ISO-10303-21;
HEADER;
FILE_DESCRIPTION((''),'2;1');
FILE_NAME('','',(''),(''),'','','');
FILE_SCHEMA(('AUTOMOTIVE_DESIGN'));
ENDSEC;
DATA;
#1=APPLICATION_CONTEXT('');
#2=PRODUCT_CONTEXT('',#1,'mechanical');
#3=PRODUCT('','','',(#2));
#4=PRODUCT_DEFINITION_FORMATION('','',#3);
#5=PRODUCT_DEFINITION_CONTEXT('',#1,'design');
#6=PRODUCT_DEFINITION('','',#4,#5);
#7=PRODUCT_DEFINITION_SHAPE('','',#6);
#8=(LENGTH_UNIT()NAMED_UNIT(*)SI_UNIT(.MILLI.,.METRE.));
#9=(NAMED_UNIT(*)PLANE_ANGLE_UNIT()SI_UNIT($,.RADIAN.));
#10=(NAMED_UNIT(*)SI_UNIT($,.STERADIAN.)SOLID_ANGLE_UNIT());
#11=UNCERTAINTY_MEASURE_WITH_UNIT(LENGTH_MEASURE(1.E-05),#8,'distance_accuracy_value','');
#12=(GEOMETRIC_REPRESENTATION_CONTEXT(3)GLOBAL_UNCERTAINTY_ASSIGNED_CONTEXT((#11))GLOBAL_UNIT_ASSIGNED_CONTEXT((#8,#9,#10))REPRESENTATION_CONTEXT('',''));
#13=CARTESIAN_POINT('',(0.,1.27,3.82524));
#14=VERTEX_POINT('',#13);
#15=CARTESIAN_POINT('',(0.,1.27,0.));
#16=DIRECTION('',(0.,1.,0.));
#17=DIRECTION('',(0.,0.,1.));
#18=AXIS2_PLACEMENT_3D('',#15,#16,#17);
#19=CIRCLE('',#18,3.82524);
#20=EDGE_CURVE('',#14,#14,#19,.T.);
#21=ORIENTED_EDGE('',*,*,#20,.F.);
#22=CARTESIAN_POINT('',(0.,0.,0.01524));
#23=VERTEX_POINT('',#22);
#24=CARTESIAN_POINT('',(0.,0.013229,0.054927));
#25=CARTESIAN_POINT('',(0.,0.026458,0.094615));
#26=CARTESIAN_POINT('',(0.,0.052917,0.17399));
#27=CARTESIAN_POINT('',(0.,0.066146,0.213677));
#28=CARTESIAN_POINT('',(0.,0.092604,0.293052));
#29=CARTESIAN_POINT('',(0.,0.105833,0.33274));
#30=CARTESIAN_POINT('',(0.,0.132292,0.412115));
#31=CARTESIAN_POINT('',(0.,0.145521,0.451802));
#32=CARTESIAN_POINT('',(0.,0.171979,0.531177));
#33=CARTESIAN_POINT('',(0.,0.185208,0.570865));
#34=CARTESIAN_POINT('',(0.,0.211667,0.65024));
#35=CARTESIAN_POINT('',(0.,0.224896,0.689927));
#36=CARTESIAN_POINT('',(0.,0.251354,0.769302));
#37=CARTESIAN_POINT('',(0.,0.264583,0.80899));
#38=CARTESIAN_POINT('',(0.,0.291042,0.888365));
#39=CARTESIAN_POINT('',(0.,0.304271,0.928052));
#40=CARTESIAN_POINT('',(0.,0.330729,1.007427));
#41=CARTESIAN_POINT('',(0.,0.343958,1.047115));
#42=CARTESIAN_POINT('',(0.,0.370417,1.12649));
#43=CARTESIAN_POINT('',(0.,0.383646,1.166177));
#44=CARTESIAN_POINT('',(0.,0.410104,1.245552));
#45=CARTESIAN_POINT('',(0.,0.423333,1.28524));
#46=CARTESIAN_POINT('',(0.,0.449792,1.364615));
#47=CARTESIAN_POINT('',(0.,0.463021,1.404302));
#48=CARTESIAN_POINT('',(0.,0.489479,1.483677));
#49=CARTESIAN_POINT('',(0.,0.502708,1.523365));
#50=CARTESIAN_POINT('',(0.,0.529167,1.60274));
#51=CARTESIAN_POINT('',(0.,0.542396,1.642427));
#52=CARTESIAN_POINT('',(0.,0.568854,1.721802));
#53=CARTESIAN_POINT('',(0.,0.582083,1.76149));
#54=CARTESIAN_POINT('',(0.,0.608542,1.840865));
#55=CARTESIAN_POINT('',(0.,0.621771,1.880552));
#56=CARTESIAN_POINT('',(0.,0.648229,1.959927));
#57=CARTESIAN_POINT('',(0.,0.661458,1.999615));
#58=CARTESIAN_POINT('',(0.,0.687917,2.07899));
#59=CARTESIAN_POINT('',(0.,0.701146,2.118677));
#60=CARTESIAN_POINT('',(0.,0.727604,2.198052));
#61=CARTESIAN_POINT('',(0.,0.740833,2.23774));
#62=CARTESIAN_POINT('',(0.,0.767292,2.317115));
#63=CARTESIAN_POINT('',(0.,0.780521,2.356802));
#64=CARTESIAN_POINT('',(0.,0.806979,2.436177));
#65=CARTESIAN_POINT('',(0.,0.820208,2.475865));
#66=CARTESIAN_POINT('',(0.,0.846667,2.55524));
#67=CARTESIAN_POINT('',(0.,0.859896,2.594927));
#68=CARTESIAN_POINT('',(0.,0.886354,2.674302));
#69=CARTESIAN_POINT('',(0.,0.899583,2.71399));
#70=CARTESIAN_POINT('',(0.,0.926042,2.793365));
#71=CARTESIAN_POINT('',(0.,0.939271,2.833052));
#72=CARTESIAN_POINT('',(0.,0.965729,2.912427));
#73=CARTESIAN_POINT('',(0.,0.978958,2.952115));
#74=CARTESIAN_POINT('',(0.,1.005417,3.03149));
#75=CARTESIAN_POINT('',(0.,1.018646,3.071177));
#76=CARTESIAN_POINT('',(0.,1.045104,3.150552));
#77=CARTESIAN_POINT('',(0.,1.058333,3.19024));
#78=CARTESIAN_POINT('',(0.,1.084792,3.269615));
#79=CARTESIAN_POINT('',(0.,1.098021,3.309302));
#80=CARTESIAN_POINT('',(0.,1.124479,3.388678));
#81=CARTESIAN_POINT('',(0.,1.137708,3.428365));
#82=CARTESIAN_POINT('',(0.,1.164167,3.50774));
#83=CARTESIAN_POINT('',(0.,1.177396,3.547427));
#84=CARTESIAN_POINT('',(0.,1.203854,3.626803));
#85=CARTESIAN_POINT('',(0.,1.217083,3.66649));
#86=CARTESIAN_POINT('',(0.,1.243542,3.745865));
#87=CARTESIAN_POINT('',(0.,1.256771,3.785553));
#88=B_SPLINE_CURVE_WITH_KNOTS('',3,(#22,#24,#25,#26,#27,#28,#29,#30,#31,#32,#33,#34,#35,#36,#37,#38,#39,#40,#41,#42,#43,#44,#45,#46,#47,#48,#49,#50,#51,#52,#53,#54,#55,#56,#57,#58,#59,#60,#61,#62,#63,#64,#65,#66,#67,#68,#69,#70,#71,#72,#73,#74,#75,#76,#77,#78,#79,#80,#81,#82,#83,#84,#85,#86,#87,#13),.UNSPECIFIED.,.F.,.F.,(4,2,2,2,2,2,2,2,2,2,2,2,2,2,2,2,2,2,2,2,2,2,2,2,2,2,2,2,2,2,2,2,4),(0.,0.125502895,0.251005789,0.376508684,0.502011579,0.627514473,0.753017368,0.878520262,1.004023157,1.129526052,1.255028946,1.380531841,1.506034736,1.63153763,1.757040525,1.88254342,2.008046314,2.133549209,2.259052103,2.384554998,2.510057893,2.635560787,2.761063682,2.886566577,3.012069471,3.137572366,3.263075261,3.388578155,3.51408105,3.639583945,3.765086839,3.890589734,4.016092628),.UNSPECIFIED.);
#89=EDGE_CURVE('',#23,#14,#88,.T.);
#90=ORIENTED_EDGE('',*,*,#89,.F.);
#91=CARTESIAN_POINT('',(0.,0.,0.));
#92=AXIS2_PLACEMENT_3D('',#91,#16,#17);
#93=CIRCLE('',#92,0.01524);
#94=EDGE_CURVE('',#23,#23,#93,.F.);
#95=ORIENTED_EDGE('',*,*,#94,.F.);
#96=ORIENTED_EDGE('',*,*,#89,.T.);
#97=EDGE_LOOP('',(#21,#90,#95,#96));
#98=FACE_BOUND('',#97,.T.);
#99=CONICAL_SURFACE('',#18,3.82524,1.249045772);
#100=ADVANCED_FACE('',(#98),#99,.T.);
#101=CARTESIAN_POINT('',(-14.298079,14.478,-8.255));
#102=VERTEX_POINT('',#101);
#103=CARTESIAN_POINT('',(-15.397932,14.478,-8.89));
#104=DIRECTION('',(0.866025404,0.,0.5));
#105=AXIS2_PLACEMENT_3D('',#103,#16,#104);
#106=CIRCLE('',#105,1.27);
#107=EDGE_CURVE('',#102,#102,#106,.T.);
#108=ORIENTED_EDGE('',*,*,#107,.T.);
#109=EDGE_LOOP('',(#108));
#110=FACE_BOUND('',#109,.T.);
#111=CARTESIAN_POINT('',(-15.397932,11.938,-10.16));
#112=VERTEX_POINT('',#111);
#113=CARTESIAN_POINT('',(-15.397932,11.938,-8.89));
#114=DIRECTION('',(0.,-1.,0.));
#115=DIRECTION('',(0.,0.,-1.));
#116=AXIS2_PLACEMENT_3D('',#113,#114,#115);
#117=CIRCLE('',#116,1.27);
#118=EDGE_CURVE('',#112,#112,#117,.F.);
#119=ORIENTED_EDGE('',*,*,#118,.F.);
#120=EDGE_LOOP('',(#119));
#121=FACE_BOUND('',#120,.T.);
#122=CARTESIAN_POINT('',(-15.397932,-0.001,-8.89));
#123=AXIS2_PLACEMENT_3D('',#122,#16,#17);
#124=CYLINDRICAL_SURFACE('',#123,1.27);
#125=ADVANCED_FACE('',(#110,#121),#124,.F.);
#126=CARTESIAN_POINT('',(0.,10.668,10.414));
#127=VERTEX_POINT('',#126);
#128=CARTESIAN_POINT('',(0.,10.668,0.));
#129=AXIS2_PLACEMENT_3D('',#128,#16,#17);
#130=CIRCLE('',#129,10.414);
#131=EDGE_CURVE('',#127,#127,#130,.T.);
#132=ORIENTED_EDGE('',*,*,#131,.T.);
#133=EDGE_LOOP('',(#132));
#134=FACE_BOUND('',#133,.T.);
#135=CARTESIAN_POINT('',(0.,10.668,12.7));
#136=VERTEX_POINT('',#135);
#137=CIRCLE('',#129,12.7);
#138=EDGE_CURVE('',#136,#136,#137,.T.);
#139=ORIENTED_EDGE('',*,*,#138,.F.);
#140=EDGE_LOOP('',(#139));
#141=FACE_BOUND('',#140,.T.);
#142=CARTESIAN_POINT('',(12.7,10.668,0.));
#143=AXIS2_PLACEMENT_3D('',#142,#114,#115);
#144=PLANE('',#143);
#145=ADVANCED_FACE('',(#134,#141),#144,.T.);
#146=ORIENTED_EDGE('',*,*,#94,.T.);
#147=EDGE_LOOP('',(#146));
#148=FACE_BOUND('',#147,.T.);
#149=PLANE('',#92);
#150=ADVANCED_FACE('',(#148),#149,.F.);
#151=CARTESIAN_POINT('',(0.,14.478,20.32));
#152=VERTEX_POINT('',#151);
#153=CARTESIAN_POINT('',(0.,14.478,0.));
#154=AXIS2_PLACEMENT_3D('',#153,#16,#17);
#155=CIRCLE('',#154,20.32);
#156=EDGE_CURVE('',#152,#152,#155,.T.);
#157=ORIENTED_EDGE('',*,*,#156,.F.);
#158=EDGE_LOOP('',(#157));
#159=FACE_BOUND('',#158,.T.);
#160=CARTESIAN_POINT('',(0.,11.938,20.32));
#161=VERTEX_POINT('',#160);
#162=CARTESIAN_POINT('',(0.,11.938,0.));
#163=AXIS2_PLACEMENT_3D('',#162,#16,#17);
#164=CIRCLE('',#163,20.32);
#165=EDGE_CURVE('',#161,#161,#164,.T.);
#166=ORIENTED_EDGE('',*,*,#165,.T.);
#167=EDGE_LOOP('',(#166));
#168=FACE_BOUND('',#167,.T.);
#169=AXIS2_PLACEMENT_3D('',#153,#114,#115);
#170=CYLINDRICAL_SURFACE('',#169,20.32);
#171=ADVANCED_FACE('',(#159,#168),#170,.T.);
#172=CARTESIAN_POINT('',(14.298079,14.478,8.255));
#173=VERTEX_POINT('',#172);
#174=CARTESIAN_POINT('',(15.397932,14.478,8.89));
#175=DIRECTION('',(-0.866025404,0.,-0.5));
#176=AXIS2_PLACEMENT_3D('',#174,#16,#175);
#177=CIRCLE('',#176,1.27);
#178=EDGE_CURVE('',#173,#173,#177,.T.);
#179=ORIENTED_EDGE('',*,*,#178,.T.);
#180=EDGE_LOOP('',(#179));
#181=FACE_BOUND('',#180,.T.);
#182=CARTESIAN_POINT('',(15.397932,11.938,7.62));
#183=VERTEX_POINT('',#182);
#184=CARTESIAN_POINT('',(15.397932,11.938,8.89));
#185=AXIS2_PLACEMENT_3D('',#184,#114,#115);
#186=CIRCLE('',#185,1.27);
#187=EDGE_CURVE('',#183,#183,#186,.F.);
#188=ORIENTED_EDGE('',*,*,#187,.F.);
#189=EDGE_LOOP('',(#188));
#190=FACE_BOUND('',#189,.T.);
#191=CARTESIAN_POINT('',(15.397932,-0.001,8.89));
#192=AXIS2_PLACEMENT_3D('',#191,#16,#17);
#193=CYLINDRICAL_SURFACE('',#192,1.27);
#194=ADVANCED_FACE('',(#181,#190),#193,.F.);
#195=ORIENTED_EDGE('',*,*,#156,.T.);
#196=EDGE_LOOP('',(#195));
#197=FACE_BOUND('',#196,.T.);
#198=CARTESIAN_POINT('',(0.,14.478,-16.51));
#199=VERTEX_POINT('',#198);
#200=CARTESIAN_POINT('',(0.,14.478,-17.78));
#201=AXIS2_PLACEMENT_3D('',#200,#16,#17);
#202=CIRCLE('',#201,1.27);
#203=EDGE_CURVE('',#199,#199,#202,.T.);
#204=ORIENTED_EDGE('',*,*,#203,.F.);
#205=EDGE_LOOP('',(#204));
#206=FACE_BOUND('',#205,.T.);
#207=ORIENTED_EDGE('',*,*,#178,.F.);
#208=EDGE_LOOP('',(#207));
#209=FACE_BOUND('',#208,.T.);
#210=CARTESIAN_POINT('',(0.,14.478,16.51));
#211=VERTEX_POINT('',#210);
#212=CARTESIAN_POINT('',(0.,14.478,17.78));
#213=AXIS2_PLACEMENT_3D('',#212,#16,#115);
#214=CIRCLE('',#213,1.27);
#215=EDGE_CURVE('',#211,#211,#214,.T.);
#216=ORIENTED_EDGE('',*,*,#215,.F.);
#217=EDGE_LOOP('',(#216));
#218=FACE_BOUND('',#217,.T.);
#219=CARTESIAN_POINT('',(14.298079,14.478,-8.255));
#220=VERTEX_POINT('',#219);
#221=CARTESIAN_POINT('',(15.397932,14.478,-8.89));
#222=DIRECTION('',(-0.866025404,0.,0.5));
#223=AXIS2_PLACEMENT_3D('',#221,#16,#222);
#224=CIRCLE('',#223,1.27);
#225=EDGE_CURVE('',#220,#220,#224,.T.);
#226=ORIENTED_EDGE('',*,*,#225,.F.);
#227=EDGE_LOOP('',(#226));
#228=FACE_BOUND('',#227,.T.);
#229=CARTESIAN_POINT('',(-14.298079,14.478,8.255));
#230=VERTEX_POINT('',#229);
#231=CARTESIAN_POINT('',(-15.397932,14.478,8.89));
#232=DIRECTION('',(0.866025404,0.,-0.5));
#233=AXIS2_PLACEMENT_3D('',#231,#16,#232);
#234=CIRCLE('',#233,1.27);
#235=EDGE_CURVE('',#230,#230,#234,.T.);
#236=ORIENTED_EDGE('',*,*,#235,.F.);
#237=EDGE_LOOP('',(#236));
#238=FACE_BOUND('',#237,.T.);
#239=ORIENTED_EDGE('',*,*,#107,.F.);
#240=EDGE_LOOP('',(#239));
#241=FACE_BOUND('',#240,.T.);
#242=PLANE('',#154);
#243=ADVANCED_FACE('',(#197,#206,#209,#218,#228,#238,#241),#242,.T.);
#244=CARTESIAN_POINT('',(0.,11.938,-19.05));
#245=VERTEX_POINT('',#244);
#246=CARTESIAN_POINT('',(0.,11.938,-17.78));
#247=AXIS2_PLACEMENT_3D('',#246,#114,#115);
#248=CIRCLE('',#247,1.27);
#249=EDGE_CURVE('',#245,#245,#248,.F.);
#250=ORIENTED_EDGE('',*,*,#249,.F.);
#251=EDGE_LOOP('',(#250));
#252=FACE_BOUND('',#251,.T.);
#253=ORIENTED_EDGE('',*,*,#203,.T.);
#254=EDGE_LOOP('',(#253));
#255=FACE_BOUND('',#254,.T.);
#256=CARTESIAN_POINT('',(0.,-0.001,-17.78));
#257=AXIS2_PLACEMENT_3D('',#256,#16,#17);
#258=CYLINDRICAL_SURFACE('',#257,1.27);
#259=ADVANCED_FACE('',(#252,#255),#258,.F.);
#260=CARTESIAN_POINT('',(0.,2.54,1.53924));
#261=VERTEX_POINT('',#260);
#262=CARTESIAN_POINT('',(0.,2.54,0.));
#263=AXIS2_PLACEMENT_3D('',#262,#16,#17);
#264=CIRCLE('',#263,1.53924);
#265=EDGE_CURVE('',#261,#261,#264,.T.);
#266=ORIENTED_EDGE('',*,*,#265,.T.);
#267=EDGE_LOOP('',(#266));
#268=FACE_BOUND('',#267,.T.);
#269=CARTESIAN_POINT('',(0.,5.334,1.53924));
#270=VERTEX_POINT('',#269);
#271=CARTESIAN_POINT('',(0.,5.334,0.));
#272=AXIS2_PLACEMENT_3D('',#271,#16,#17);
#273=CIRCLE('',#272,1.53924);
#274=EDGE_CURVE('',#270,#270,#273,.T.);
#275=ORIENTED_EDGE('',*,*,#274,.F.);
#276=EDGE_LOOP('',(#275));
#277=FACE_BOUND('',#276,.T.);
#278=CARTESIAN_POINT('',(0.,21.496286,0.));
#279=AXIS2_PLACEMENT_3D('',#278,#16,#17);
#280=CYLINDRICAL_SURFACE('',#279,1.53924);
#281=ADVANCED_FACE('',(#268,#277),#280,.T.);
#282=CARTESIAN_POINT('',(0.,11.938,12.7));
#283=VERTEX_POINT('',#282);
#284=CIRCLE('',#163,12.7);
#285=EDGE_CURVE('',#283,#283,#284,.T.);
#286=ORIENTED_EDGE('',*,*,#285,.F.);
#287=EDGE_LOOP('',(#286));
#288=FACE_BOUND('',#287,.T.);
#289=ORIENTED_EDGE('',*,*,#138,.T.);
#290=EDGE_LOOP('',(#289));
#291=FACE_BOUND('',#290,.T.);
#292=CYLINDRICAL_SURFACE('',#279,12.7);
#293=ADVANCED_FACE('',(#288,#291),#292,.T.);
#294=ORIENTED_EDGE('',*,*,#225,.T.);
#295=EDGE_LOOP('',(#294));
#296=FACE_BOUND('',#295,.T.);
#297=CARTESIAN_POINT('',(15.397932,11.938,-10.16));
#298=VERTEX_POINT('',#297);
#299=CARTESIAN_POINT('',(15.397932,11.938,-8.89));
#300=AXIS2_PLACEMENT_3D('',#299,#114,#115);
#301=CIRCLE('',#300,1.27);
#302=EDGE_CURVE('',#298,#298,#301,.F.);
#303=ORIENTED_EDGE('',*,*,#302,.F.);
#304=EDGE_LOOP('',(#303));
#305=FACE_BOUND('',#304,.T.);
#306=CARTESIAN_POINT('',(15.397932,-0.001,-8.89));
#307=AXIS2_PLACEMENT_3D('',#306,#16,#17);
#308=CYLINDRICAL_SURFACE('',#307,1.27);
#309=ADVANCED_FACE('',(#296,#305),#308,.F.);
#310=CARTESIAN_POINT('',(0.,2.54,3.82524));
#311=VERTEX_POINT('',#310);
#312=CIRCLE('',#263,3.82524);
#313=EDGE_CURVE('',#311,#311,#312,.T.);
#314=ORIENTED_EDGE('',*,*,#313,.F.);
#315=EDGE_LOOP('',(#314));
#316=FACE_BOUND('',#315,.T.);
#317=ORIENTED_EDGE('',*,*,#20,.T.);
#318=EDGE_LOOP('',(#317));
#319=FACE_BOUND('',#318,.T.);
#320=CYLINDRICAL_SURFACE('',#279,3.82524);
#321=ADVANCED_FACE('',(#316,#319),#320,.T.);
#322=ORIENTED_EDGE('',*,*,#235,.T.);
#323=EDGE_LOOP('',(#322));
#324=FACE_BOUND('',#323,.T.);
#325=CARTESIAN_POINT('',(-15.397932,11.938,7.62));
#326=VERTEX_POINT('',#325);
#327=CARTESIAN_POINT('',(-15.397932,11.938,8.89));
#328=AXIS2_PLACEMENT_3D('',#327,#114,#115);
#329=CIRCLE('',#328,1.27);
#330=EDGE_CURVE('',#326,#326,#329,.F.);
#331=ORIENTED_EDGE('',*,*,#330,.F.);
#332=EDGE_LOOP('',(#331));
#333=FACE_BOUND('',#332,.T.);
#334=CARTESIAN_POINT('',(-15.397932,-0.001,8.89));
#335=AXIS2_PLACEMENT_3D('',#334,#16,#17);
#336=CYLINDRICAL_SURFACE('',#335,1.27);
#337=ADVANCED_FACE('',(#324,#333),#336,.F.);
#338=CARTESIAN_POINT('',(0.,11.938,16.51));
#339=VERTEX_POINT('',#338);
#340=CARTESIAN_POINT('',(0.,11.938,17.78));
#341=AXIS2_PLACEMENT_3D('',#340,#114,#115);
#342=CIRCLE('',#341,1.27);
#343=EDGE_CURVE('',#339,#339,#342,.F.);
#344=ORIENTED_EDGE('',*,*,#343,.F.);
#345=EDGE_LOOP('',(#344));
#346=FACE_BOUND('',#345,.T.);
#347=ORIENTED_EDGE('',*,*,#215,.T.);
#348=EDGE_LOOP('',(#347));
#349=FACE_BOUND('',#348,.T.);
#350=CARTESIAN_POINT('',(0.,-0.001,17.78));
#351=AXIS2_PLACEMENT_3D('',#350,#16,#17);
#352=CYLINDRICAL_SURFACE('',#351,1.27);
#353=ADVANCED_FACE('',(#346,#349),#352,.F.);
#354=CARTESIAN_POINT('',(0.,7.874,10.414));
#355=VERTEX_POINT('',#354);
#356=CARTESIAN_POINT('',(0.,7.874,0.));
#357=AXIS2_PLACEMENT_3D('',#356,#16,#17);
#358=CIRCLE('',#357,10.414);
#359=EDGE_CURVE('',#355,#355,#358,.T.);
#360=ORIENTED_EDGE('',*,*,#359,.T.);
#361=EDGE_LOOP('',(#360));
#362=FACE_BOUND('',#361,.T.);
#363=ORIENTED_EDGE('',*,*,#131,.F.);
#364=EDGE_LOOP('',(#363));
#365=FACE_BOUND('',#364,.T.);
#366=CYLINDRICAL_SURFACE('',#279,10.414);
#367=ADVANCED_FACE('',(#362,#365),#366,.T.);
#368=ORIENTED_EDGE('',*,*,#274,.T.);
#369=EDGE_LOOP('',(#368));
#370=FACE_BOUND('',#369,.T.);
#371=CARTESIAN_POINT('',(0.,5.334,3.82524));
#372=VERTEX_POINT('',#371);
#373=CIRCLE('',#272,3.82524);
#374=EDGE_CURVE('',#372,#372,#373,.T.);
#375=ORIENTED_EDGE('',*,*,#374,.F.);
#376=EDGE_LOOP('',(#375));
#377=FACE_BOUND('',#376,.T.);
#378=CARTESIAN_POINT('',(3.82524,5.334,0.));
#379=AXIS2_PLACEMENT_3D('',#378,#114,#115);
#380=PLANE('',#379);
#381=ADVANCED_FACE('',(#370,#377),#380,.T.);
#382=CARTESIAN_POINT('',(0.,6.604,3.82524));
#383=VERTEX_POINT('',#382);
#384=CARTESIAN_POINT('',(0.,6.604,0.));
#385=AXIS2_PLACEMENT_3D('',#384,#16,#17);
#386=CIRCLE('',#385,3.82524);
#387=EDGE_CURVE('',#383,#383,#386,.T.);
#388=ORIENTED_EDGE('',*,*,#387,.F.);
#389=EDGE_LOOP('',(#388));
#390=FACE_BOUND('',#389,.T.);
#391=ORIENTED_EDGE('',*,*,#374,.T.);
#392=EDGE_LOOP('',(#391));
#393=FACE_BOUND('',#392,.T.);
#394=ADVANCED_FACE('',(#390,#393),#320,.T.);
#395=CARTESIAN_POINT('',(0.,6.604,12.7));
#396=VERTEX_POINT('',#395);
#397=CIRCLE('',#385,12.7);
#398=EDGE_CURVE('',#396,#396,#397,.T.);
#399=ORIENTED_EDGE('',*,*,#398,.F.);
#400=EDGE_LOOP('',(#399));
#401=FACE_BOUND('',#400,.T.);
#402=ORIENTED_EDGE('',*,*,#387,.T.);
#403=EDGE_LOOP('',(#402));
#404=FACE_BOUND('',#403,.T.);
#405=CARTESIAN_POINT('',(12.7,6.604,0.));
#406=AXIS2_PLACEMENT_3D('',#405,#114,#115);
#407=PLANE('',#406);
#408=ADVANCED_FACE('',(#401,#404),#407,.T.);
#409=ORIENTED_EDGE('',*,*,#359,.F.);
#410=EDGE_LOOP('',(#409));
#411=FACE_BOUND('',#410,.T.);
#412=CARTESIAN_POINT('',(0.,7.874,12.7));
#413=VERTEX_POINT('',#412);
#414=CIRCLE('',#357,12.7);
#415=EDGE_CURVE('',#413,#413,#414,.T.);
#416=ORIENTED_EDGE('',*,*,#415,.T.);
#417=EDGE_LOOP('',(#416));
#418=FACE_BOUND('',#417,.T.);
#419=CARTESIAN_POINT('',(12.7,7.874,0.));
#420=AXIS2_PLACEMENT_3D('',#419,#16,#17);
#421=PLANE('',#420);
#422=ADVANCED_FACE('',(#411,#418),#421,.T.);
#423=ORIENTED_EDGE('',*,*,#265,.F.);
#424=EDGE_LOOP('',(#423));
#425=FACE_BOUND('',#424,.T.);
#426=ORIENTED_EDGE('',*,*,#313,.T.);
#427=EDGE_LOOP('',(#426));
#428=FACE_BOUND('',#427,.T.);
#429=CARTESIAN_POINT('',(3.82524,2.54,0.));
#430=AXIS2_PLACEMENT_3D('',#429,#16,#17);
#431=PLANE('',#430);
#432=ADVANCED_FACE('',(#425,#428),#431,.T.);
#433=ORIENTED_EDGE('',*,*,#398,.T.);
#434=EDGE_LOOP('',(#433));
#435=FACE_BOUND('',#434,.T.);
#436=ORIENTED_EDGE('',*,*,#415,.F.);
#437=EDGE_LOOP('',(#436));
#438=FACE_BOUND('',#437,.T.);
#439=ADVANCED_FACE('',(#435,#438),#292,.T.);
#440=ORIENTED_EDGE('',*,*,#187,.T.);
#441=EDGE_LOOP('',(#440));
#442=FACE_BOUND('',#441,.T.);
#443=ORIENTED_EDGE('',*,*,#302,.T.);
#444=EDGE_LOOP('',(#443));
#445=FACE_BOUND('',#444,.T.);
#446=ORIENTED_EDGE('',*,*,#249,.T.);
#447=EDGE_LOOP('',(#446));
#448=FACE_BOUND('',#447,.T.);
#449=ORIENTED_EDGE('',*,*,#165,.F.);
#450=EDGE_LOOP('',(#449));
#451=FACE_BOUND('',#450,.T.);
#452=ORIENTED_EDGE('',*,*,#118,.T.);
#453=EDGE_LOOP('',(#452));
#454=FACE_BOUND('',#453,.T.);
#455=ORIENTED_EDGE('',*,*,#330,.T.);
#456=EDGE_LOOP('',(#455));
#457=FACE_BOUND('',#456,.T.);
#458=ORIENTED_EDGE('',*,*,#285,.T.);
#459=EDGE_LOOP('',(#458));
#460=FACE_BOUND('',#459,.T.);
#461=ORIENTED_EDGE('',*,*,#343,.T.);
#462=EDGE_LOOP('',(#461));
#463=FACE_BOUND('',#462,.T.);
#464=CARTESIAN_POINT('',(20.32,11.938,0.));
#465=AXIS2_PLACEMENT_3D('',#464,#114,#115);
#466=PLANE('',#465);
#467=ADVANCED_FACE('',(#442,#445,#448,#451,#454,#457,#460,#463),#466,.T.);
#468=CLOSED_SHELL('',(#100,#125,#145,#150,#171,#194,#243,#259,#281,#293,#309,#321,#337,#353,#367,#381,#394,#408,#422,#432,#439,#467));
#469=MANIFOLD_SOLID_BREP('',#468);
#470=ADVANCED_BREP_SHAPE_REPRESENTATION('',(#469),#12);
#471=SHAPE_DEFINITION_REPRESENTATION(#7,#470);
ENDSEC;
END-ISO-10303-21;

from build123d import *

# Parameters (mm, degrees)
SKETCH1_R                   = 20.32
CYLINDER_DEPTH              = 14.478
SKETCH2_W                   = 7.62
SKETCH2_H                   = 11.938
SKETCH3_W                   = 2.286
SKETCH3_H                   = 2.794
SKETCH4_W                   = 8.87476
SKETCH4_H                   = 6.604
SKETCH5_W                   = 2.286
SKETCH5_H                   = 2.794
BOTTOM_CHAMFER_SIZE         = 3.81
BOTTOM_CHAMFER_SIZE2        = 1.27
MOUNTING_HOLE_REACH         = 34.178
SKETCH6_R                   = 1.27
MOUNTING_HOLE_PATTERN_COUNT = 6


with BuildPart() as part:
    # Sketch1 → Cylinder (new body)
    with BuildSketch(Plane(origin=(0, 0, 0), x_dir=(1, 0, 0), z_dir=(0, 1, 0))):
        with Locations(Location((0, 0, 0), (0, 0, 270))):
            Circle(SKETCH1_R)
    extrude(amount=CYLINDER_DEPTH)

    # Sketch2 → Mid O Ring Wings (revolve, cut)
    with BuildSketch(Plane.XY, mode=Mode.PRIVATE) as mid_o_ring_wings_sk:
        with Locations((16.51, 5.969)):
            Rectangle(SKETCH2_W, SKETCH2_H)
    revolve(mid_o_ring_wings_sk.sketch.rotate(Axis((0, 21.496286204, 0), (0, -1, 0)), 90), axis=Axis((0, 21.496286204, 0), (0, -1, 0)), mode=Mode.SUBTRACT)

    # Sketch3 → Mid O Ring Cut (revolve, cut)
    with BuildSketch(Plane.XY, mode=Mode.PRIVATE) as mid_o_ring_cut_sk:
        with Locations((11.557, 9.271)):
            Rectangle(SKETCH3_W, SKETCH3_H)
    revolve(mid_o_ring_cut_sk.sketch.rotate(Axis((0, 21.496286204, 0), (0, -1, 0)), 90), axis=Axis((0, 21.496286204, 0), (0, -1, 0)), mode=Mode.SUBTRACT)

    # Sketch4 → Bottom O Ring Wings (revolve, cut)
    with BuildSketch(Plane.XY, mode=Mode.PRIVATE) as bottom_o_ring_wings_sk:
        with Locations((8.26262, 3.302)):
            Rectangle(SKETCH4_W, SKETCH4_H)
    revolve(bottom_o_ring_wings_sk.sketch.rotate(Axis((0, 21.496286204, 0), (0, -1, 0)), 90), axis=Axis((0, 21.496286204, 0), (0, -1, 0)), mode=Mode.SUBTRACT)

    # Sketch5 → Bottom O Ring Cut (revolve, cut)
    with BuildSketch(Plane.XY, mode=Mode.PRIVATE) as bottom_o_ring_cut_sk:
        with Locations((2.68224, 3.937)):
            Rectangle(SKETCH5_W, SKETCH5_H)
    revolve(bottom_o_ring_cut_sk.sketch.rotate(Axis((0, 21.496286204, 0), (0, -1, 0)), 90), axis=Axis((0, 21.496286204, 0), (0, -1, 0)), mode=Mode.SUBTRACT)

    # Bottom Chamfer
    bottom_chamfer_edges = [part.edges().sort_by_distance(p)[0] for p in [
        (0, 0, -3.82524),
    ]]
    bottom_chamfer_side = [part.faces().sort_by_distance(p)[0] for p in [
        (0, 0, 0),
    ]]
    chamfer(bottom_chamfer_edges, length=BOTTOM_CHAMFER_SIZE, length2=BOTTOM_CHAMFER_SIZE2, reference=bottom_chamfer_side[0])

    # Sketch6 → Mounting Hole (cut, up to next)
    with BuildSketch(Plane(origin=(0, 14.478, 0), x_dir=(1, 0, 0), z_dir=(0, 1, 0)), mode=Mode.PRIVATE) as mounting_hole_sk1:
        with Locations(Location((0, 17.78, 0), (0, 0, 270))):
            Circle(SKETCH6_R)
    mounting_hole_tool1 = extrude(mounting_hole_sk1.sketch, amount=-MOUNTING_HOLE_REACH, mode=Mode.PRIVATE) & part.part
    mounting_hole = mounting_hole_tool1.solids().sort_by_distance((0, 14.478, -17.78))[0]
    add(mounting_hole, mode=Mode.SUBTRACT)

    # Mounting Hole Pattern: Mounting Hole ×6 about axis
    mounting_hole_pattern_axis = Axis((0, 0, 0), (0, 1, 0))
    for i in range(1, MOUNTING_HOLE_PATTERN_COUNT):
        add(mounting_hole.rotate(mounting_hole_pattern_axis, i * 360 / MOUNTING_HOLE_PATTERN_COUNT), mode=Mode.SUBTRACT)


solid = part.part
